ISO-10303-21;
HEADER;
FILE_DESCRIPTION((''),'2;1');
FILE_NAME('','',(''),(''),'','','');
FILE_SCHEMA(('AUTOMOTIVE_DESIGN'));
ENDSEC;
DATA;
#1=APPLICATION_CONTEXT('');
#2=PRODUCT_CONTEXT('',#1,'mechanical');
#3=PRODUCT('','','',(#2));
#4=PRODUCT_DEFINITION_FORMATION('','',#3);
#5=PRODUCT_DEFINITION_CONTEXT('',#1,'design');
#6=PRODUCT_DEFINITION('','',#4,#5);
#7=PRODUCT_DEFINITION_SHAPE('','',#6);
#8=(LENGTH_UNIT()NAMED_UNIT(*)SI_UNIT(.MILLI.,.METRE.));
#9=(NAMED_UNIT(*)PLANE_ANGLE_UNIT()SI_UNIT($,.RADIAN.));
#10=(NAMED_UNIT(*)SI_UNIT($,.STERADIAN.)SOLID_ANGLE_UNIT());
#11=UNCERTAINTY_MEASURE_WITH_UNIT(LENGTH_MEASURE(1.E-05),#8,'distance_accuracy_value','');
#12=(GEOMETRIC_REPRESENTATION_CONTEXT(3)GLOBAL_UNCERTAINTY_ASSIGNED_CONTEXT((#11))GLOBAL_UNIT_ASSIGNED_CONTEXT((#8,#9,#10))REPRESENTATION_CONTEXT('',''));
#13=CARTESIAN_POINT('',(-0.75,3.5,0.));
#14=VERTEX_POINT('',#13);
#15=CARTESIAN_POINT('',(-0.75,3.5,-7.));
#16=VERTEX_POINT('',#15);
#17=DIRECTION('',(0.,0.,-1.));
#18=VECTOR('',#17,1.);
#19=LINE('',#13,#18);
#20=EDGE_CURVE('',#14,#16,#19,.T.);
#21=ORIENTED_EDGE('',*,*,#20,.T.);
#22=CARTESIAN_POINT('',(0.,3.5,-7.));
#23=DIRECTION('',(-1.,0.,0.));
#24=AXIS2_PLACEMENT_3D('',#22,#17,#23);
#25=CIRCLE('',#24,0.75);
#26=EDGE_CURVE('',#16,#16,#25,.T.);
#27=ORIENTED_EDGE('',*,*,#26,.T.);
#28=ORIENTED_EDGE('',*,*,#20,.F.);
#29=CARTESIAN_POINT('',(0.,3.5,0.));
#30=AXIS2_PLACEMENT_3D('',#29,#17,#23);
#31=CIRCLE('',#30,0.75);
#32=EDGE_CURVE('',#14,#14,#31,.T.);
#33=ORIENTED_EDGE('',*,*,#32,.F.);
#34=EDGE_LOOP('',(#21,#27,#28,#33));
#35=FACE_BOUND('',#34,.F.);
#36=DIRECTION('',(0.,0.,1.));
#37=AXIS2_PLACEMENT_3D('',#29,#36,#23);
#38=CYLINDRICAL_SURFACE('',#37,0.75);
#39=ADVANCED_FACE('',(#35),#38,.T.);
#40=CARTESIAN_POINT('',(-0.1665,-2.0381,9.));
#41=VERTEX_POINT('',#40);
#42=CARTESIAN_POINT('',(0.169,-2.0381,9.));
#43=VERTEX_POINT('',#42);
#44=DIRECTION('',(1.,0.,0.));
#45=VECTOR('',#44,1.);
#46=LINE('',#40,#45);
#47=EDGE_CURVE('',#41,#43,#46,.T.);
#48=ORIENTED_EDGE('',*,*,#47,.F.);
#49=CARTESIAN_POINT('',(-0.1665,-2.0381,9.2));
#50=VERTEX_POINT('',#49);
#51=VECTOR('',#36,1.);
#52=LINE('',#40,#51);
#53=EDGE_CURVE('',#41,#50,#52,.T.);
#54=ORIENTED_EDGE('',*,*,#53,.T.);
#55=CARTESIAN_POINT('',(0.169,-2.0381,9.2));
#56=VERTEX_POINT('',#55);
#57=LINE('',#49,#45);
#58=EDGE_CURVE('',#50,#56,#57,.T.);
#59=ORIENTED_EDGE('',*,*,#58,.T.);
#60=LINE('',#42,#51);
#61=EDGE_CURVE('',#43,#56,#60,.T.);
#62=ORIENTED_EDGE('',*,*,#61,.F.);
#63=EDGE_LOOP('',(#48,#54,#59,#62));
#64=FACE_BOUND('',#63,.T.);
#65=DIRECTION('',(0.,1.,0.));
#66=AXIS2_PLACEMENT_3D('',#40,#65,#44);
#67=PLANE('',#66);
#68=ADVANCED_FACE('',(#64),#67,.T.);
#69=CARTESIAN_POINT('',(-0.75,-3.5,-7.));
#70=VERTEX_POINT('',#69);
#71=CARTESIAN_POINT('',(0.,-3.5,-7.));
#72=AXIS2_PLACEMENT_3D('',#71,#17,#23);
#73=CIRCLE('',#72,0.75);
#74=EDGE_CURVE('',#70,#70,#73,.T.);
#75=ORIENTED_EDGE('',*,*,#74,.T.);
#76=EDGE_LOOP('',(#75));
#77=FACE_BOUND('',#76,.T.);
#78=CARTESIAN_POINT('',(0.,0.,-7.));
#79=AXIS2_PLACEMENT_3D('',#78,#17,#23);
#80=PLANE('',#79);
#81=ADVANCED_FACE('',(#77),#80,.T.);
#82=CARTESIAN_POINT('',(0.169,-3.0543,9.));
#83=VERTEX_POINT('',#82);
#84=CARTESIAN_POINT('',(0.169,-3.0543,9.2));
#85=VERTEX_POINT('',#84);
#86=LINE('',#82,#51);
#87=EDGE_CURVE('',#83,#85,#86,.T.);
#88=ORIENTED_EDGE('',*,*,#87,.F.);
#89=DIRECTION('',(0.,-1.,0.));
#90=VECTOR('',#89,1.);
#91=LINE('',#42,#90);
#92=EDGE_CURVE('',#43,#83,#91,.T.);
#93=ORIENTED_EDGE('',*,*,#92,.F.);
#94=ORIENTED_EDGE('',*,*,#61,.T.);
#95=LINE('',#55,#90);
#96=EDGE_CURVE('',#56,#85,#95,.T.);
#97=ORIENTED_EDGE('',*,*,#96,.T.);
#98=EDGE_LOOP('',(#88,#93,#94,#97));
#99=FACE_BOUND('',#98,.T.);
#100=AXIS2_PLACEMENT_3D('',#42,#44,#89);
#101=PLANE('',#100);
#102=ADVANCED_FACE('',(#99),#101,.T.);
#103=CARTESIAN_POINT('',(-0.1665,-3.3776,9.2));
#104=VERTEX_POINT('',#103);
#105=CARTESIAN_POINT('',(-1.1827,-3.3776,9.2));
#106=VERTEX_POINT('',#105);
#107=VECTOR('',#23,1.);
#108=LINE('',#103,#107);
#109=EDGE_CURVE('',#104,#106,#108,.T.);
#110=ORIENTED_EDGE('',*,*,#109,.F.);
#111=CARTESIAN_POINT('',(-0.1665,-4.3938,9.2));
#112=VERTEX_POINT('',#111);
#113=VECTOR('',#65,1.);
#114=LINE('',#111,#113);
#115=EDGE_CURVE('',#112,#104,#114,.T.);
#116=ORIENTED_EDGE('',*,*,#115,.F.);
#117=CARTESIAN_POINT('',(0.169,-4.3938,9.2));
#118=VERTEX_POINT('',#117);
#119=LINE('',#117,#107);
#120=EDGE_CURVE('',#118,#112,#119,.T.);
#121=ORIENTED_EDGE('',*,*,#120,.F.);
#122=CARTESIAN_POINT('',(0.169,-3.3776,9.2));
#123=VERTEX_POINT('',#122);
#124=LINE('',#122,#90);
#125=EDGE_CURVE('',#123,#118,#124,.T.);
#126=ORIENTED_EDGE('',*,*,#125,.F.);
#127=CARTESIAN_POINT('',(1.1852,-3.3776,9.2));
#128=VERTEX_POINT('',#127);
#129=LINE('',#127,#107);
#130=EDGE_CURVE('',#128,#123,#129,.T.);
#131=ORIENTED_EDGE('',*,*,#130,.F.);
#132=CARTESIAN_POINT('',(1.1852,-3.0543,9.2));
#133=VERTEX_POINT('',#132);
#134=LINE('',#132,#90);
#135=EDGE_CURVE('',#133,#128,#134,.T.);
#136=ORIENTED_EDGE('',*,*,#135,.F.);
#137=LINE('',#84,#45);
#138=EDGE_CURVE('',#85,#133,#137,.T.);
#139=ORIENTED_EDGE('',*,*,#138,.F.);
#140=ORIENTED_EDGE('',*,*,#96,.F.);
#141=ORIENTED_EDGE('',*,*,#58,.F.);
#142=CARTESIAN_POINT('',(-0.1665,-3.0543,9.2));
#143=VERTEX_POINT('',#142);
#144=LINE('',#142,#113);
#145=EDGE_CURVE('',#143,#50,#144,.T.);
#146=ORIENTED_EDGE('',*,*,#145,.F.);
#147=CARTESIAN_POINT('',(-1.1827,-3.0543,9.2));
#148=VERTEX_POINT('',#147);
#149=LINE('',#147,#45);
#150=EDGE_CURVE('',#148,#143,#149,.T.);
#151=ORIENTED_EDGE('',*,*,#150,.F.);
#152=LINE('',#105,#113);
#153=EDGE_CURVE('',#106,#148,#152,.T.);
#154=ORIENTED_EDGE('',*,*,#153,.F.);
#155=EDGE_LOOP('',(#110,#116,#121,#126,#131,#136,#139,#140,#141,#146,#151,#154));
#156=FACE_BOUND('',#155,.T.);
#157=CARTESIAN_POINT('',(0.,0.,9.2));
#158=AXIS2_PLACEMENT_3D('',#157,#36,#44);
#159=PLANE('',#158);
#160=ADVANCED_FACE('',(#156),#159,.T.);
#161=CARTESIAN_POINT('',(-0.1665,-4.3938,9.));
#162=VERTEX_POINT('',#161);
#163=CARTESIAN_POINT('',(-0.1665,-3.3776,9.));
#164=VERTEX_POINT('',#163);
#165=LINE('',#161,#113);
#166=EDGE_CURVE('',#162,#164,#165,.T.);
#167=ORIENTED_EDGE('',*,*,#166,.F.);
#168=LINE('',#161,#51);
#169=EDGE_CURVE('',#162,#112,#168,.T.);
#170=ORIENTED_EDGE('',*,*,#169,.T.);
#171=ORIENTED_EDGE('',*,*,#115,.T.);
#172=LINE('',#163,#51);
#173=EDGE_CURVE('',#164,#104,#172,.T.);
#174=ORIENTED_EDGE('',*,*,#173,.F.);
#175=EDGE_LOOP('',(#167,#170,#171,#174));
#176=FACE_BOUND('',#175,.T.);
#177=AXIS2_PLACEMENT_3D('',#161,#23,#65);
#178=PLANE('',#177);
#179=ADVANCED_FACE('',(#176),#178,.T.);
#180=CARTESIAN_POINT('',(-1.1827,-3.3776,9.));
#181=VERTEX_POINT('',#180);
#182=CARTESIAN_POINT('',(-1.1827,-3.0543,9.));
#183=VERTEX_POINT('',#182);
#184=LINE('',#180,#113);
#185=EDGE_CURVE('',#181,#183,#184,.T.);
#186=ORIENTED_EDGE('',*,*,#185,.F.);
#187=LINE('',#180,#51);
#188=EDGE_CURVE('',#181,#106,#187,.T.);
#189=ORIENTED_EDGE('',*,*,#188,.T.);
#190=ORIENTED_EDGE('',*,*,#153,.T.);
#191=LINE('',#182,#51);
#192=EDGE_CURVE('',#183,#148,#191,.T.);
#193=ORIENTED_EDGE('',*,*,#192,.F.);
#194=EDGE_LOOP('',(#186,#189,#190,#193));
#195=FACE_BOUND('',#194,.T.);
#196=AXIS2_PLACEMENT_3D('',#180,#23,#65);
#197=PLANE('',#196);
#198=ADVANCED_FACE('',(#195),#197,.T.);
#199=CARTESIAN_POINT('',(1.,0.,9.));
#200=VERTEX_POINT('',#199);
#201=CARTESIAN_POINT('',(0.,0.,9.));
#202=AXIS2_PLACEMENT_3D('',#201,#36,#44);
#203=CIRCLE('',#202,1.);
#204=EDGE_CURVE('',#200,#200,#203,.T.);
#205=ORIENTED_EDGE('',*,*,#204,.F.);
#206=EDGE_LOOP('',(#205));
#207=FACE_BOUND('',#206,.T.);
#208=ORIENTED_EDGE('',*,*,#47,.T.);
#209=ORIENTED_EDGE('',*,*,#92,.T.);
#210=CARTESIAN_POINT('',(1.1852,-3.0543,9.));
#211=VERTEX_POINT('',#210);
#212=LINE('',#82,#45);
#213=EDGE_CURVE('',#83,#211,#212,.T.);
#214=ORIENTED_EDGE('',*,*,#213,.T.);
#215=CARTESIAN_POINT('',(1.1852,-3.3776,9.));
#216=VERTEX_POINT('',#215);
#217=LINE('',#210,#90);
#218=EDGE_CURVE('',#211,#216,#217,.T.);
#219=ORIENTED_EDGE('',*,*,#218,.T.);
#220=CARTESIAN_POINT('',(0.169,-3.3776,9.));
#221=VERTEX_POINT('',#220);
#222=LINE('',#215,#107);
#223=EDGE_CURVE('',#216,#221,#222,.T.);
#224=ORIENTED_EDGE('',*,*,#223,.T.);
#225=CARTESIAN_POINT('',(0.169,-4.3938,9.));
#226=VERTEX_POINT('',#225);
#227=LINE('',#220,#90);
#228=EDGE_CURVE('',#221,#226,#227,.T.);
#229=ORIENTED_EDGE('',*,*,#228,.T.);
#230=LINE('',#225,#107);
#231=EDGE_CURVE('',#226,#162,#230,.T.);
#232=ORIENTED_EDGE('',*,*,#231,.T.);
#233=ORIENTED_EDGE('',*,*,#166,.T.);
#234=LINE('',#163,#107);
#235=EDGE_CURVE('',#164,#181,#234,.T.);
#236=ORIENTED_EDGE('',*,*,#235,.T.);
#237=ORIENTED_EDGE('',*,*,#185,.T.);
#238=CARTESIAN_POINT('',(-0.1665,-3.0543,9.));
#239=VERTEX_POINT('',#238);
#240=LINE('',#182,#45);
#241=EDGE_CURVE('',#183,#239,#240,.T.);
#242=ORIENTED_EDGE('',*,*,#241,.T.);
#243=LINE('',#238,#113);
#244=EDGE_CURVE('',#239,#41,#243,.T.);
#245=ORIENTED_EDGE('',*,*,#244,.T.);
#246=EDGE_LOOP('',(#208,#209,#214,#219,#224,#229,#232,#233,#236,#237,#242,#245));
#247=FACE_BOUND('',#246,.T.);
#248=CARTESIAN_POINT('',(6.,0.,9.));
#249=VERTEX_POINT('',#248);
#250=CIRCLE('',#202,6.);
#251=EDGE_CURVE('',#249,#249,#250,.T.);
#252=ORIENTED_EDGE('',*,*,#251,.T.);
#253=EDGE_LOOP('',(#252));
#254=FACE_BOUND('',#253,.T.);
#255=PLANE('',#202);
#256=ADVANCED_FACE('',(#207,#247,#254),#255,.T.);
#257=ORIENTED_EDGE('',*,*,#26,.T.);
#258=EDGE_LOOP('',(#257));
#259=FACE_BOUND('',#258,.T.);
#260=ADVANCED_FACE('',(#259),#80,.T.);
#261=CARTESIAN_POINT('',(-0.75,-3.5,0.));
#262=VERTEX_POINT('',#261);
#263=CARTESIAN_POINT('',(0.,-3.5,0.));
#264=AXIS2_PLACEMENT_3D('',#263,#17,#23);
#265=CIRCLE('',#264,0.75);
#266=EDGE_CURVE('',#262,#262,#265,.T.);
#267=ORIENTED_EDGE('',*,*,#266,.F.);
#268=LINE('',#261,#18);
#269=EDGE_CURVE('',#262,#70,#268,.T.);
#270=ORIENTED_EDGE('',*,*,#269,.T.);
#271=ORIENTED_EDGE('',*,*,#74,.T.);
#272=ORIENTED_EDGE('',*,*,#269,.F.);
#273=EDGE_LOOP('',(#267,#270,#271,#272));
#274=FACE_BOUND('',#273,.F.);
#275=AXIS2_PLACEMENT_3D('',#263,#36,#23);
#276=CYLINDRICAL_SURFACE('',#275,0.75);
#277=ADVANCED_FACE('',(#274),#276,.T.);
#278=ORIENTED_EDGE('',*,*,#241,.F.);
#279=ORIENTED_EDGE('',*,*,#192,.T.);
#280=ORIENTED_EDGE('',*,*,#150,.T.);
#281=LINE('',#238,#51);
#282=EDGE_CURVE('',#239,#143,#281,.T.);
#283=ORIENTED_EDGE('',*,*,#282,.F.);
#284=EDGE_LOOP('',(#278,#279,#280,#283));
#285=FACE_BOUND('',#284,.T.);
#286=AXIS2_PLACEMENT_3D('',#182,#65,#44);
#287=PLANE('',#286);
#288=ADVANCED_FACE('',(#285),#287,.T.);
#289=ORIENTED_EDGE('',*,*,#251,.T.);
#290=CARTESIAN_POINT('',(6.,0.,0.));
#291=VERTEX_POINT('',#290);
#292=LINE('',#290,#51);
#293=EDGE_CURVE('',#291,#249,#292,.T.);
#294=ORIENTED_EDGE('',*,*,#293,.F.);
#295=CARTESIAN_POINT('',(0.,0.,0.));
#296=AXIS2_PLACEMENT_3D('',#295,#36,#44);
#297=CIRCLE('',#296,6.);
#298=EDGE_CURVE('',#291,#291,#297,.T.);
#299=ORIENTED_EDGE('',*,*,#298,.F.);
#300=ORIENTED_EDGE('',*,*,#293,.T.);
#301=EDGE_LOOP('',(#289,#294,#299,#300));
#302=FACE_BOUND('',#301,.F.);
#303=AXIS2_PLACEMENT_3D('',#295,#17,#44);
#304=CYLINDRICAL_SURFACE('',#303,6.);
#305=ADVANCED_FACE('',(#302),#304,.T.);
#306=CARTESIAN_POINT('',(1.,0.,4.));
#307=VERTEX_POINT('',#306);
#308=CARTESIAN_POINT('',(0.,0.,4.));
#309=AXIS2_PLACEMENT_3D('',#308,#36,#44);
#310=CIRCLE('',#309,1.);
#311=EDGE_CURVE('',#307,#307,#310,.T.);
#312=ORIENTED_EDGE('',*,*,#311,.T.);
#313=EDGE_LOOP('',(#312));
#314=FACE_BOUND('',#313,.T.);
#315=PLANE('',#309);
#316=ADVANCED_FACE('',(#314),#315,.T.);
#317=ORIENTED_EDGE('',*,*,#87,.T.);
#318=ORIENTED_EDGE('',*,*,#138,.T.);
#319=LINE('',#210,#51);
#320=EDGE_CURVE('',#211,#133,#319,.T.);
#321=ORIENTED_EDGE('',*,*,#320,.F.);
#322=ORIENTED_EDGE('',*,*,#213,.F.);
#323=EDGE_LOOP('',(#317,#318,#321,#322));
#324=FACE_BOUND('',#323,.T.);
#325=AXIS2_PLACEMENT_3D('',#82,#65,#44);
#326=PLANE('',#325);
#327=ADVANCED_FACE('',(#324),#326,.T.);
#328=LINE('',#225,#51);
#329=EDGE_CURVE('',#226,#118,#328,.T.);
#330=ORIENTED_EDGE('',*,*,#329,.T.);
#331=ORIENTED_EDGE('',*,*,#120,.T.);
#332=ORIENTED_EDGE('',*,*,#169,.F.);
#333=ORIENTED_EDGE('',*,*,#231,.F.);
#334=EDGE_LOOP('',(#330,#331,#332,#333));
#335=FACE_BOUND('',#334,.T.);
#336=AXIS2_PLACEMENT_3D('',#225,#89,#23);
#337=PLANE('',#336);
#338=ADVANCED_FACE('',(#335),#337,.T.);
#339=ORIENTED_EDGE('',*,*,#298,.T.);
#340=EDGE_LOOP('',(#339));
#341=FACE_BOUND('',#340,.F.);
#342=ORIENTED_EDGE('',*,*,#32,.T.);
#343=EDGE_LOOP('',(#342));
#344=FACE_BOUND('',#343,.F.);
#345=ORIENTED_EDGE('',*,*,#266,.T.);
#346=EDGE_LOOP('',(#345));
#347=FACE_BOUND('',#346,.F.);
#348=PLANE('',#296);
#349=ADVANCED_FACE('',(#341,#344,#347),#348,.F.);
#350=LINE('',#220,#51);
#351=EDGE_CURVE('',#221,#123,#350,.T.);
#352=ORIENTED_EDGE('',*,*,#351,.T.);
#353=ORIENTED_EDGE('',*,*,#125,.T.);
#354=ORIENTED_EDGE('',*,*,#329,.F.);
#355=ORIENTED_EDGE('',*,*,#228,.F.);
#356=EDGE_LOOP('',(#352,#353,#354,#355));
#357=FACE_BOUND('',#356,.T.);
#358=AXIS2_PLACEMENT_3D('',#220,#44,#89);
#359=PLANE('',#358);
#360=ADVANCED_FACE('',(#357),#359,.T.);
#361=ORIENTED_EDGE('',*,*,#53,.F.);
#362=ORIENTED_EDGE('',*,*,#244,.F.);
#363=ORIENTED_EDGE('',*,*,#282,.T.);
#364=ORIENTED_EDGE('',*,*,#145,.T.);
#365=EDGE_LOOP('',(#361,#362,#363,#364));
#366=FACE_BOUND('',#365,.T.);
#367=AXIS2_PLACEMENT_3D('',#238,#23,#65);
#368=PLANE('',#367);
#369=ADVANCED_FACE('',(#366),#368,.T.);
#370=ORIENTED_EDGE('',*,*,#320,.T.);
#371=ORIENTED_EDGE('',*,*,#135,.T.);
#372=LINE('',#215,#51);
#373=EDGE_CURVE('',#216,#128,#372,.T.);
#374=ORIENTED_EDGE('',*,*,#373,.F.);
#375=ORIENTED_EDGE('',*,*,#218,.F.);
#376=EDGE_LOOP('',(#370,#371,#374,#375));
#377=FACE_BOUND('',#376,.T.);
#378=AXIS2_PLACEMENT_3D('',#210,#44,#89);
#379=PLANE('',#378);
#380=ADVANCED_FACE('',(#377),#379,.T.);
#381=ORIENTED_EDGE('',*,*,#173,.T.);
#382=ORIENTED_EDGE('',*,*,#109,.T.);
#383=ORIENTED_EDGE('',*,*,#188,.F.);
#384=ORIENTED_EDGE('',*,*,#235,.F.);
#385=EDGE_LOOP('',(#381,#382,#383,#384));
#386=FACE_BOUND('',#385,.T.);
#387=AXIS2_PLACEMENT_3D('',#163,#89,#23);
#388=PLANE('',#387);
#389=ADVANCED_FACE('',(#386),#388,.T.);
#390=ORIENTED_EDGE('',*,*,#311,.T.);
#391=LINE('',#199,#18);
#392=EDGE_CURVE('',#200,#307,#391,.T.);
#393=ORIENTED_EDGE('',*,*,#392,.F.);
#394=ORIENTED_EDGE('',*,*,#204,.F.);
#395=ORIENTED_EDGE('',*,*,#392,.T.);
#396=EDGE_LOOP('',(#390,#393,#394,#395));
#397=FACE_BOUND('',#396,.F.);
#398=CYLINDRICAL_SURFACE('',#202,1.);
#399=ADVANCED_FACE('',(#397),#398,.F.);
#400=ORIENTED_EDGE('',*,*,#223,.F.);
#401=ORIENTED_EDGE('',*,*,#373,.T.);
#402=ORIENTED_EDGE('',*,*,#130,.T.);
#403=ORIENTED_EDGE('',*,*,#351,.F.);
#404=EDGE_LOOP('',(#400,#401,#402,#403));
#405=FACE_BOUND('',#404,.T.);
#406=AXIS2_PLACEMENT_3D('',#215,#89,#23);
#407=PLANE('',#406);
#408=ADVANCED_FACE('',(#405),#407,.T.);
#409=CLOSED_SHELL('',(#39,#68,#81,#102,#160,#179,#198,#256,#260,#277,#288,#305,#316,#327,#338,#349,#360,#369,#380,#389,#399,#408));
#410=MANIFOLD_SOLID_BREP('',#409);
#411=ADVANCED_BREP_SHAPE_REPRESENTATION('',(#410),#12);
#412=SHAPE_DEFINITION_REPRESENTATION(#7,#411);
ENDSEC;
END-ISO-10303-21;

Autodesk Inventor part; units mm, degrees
ref_plane "YZ Plane" through (0, 0, 0) normal (1, 0, 0) x (0, 1, 0)
ref_plane "XZ Plane" through (0, 0, 0) normal (0, 1, 0) x (-1, 0, 0)
ref_plane "XY Plane" through (0, 0, 0) normal (0, 0, 1) x (1, 0, 0)
sketch "Sketch1" plane through (0, 0, 0) normal (0, 0, 1) x (1, 0, 0)
  circle A0 centre (0, 0) radius 6
  dimension "d0" = 12
extrude "Extrusion1" add sketch "Sketch1" along normal blind 9
sketch "Sketch2" plane through (0, 0, 9) normal (0, 0, 1) x (1, 0, 0)
  circle A0 centre (0, 0) radius 1
  line L0 (-2.0016, -1.6454) -> (2.0016, -1.6454) construction
  line L1 (2.0016, -1.6454) -> (2.0016, -4.7864) construction
  line L2 (2.0016, -4.7864) -> (-2.0016, -4.7864) construction
  line L3 (-2.0016, -4.7864) -> (-2.0016, -1.6454) construction
  line L4 (1.1852, -3.3776) -> (0.169, -3.3776)
  line L5 (0.169, -3.3776) -> (0.169, -4.3938)
  line L6 (0.169, -4.3938) -> (-0.1665, -4.3938)
  line L7 (-0.1665, -4.3938) -> (-0.1665, -3.3776)
  line L8 (-0.1665, -3.3776) -> (-1.1827, -3.3776)
  line L9 (-1.1827, -3.3776) -> (-1.1827, -3.0543)
  line L10 (-1.1827, -3.0543) -> (-0.1665, -3.0543)
  line L11 (-0.1665, -3.0543) -> (-0.1665, -2.0381)
  line L12 (-0.1665, -2.0381) -> (0.169, -2.0381)
  line L13 (0.169, -2.0381) -> (0.169, -3.0543)
  line L14 (0.169, -3.0543) -> (1.1852, -3.0543)
  line L15 (1.1852, -3.0543) -> (1.1852, -3.3776)
  point P0 (0, -1.6454)
  dimension "d3" = 2
extrude "Extrusion2" cut sketch "Sketch2" against normal blind 5 contours A0
extrude "Extrusion3" add sketch "Sketch2" along normal blind 0.2 contours L4 L5 L6 L7 L8 L9 L10 L11 L12 L13 L14 L15
sketch "Sketch3" plane through (0, 0, 0) normal (0, 0, -1) x (-1, 0, 0)
  circle A0 centre (0, 3.5) radius 0.75
  circle A1 centre (0, -3.5) radius 0.75
  line L0 (0, 3.5) -> (0, -3.5) construction
  point P0 (0, 0)
  point P1 (0, 0)
  dimension "d8" = 1.5
  dimension "d9" = 7
extrude "Extrusion4" add sketch "Sketch3" along normal blind 7
properties part number "Buzzer" material "PBT Plastic"
